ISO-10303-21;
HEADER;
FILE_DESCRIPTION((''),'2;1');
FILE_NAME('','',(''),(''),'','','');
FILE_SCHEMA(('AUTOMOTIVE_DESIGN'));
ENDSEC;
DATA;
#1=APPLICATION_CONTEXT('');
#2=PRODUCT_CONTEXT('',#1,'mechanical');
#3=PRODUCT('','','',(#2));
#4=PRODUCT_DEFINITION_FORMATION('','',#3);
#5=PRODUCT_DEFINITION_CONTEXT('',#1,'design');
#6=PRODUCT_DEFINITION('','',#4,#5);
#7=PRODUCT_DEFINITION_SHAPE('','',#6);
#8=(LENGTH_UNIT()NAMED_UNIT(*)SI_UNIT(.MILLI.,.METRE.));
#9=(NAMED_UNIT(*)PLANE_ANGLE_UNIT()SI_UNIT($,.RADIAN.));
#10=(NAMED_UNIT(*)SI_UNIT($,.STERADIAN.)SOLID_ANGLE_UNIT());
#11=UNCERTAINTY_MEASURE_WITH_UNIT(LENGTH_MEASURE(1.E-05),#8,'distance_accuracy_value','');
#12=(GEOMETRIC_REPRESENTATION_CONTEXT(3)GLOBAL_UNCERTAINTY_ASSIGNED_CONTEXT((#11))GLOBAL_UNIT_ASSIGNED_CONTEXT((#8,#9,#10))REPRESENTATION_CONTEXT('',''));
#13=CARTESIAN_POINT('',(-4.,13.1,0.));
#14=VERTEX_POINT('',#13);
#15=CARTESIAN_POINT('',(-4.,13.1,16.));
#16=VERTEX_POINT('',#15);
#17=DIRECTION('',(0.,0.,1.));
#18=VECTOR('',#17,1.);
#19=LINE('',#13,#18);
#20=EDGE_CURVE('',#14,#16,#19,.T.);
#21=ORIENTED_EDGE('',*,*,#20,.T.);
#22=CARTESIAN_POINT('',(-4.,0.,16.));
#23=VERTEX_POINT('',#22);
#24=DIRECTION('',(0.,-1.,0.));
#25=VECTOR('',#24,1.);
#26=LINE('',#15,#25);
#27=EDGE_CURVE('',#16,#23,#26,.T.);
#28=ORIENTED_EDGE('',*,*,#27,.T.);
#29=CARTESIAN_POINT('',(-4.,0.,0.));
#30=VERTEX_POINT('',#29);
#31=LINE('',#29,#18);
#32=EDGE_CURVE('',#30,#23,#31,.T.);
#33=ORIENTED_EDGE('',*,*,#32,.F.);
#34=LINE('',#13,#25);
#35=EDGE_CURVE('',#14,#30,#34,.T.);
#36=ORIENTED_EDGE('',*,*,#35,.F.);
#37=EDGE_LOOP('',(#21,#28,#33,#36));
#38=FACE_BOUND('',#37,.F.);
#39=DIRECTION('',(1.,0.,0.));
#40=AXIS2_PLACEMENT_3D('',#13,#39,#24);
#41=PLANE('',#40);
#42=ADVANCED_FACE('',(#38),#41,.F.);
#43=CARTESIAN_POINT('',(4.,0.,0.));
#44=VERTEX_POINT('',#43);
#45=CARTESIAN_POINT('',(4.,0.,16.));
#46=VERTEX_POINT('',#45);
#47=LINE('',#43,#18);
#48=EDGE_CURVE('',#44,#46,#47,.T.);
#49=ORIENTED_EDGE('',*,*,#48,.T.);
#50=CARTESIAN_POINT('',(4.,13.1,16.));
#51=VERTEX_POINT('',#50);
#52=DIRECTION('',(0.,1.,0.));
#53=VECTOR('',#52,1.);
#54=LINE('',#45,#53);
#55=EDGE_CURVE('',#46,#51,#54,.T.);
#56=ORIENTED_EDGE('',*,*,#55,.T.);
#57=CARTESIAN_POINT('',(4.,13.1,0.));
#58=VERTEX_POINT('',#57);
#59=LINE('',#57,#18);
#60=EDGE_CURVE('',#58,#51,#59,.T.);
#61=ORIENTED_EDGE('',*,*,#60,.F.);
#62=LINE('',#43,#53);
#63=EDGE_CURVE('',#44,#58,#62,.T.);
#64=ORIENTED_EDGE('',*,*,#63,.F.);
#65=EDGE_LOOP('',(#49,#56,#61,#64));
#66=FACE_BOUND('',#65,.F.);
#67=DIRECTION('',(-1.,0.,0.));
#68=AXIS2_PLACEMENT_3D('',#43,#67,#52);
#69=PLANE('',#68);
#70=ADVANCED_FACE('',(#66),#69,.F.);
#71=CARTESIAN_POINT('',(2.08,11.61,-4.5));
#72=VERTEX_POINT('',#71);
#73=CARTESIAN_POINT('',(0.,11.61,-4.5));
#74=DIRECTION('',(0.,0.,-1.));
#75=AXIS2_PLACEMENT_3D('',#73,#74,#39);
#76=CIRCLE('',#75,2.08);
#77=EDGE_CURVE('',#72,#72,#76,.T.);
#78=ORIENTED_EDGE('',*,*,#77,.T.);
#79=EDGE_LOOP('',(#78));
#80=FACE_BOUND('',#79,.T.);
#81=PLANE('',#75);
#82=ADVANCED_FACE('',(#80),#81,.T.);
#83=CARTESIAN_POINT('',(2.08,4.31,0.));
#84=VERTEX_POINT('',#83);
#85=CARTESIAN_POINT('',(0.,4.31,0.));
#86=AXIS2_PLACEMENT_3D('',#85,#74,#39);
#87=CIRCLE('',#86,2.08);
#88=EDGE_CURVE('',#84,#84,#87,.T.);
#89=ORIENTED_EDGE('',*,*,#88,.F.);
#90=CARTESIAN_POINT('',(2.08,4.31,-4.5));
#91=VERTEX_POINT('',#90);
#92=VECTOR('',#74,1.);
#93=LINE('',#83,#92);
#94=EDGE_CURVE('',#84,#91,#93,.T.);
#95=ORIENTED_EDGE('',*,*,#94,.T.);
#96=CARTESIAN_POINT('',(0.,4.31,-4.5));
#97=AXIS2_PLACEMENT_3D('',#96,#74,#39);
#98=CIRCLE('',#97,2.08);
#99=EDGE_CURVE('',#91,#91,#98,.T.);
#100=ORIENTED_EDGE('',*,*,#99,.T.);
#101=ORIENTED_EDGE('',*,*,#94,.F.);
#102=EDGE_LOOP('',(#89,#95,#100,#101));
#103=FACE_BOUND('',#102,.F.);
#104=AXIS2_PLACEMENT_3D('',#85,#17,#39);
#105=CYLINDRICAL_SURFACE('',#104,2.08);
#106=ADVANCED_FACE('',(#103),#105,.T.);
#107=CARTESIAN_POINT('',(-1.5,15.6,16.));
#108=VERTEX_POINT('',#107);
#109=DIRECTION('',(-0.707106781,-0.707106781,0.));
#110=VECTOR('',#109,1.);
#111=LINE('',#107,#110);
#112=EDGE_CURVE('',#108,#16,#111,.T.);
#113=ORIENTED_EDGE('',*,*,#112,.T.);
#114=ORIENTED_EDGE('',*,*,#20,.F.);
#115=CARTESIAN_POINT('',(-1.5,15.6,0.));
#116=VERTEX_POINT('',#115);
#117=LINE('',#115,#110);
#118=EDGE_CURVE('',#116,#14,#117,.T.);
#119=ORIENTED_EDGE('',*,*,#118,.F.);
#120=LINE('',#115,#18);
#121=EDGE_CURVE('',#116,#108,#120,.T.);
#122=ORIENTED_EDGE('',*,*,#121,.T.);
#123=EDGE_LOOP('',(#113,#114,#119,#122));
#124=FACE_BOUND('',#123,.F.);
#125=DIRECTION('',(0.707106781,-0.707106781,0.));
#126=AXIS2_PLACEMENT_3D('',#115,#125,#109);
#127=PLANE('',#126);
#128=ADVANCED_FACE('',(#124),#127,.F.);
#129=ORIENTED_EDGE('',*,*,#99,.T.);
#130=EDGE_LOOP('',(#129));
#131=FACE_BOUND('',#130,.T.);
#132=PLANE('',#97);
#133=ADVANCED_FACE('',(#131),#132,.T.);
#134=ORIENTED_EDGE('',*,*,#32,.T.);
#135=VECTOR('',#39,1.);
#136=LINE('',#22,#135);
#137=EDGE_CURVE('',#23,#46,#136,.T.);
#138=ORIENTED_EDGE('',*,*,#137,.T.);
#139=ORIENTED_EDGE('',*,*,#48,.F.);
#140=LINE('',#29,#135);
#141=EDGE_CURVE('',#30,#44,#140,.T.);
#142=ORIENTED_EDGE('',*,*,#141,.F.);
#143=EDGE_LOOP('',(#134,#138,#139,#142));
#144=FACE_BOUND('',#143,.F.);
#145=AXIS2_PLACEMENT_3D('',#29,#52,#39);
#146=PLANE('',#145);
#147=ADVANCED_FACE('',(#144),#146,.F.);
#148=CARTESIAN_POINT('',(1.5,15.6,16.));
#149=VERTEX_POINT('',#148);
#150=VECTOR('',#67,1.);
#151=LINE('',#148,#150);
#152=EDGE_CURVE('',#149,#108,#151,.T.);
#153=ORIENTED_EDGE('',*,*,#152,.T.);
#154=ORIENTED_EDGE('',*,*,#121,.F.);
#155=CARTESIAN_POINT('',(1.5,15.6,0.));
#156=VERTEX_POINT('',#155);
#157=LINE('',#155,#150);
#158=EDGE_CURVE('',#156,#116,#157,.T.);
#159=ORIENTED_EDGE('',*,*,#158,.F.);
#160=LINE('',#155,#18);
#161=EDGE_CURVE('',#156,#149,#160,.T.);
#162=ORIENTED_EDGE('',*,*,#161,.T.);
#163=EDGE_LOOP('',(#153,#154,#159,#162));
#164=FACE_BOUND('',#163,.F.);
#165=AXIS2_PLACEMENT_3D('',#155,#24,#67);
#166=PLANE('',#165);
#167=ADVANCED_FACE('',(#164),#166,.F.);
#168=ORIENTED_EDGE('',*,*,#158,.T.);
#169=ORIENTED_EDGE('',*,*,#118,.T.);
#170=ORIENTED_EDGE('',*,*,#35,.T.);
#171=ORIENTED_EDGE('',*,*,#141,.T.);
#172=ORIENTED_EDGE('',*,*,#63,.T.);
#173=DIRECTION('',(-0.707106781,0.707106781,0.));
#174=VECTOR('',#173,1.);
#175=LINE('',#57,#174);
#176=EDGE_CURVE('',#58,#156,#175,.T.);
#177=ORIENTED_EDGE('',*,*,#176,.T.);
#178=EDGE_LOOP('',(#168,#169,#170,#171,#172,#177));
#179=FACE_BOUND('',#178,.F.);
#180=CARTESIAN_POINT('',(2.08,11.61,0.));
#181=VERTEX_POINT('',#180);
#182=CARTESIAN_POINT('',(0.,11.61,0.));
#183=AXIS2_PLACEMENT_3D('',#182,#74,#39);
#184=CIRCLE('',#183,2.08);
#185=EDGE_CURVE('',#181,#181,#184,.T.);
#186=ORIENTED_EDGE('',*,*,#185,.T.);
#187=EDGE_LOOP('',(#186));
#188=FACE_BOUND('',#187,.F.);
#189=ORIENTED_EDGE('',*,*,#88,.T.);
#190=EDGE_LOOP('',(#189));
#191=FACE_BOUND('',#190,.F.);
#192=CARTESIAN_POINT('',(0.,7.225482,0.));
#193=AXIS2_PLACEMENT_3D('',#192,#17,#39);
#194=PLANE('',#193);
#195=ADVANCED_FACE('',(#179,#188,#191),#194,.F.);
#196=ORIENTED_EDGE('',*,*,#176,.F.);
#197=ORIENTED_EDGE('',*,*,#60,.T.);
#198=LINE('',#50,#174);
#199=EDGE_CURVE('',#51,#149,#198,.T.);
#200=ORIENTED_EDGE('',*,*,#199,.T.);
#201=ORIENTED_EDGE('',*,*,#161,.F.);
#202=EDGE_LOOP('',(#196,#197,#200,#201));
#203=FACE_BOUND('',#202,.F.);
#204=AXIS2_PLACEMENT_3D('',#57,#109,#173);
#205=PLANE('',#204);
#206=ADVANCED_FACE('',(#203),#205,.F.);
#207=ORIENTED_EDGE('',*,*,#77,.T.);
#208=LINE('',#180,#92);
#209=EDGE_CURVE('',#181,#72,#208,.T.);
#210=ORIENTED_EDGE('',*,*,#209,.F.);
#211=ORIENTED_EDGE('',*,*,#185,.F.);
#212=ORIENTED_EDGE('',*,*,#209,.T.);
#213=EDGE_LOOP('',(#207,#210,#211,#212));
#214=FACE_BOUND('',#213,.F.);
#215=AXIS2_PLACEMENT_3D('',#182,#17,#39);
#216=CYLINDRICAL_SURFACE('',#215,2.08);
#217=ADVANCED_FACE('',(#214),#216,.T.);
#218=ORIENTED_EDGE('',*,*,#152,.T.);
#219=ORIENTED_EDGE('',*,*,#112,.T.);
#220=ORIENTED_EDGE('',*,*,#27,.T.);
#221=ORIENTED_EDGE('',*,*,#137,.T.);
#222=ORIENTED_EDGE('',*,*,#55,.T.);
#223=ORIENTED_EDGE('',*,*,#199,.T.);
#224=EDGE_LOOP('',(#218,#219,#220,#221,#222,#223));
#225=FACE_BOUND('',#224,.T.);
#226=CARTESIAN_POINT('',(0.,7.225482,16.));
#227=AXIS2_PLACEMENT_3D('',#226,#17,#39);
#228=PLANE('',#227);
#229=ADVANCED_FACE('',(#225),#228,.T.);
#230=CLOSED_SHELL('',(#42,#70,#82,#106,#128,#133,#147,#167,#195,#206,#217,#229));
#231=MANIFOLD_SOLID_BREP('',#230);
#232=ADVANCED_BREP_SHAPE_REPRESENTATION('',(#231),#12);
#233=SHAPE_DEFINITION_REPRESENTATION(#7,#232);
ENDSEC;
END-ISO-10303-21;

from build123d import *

# Parameters (mm, degrees)
F1_DEPTH = 16
F2_R     = 2.08
F3_DEPTH = 4.5


with BuildPart() as f1:
    # F0 (on Top) → F1 (new body)
    with BuildSketch(Plane.XY):
        Polygon((-4, 13.1), (-4, 0), (4, 0), (4, 13.1), (1.5, 15.6), (-1.5, 15.6), align=None)
    extrude(amount=F1_DEPTH)

    # F2 (on face) → F3 (join)
    with BuildSketch(Plane(origin=(0, 0, 0), x_dir=(1, 0, 0), z_dir=(0, 0, -1))):
        with Locations((0, -4.31)):
            Circle(F2_R)
        with Locations((0, -11.61)):
            Circle(F2_R)
    extrude(amount=F3_DEPTH)


solid = f1.part
